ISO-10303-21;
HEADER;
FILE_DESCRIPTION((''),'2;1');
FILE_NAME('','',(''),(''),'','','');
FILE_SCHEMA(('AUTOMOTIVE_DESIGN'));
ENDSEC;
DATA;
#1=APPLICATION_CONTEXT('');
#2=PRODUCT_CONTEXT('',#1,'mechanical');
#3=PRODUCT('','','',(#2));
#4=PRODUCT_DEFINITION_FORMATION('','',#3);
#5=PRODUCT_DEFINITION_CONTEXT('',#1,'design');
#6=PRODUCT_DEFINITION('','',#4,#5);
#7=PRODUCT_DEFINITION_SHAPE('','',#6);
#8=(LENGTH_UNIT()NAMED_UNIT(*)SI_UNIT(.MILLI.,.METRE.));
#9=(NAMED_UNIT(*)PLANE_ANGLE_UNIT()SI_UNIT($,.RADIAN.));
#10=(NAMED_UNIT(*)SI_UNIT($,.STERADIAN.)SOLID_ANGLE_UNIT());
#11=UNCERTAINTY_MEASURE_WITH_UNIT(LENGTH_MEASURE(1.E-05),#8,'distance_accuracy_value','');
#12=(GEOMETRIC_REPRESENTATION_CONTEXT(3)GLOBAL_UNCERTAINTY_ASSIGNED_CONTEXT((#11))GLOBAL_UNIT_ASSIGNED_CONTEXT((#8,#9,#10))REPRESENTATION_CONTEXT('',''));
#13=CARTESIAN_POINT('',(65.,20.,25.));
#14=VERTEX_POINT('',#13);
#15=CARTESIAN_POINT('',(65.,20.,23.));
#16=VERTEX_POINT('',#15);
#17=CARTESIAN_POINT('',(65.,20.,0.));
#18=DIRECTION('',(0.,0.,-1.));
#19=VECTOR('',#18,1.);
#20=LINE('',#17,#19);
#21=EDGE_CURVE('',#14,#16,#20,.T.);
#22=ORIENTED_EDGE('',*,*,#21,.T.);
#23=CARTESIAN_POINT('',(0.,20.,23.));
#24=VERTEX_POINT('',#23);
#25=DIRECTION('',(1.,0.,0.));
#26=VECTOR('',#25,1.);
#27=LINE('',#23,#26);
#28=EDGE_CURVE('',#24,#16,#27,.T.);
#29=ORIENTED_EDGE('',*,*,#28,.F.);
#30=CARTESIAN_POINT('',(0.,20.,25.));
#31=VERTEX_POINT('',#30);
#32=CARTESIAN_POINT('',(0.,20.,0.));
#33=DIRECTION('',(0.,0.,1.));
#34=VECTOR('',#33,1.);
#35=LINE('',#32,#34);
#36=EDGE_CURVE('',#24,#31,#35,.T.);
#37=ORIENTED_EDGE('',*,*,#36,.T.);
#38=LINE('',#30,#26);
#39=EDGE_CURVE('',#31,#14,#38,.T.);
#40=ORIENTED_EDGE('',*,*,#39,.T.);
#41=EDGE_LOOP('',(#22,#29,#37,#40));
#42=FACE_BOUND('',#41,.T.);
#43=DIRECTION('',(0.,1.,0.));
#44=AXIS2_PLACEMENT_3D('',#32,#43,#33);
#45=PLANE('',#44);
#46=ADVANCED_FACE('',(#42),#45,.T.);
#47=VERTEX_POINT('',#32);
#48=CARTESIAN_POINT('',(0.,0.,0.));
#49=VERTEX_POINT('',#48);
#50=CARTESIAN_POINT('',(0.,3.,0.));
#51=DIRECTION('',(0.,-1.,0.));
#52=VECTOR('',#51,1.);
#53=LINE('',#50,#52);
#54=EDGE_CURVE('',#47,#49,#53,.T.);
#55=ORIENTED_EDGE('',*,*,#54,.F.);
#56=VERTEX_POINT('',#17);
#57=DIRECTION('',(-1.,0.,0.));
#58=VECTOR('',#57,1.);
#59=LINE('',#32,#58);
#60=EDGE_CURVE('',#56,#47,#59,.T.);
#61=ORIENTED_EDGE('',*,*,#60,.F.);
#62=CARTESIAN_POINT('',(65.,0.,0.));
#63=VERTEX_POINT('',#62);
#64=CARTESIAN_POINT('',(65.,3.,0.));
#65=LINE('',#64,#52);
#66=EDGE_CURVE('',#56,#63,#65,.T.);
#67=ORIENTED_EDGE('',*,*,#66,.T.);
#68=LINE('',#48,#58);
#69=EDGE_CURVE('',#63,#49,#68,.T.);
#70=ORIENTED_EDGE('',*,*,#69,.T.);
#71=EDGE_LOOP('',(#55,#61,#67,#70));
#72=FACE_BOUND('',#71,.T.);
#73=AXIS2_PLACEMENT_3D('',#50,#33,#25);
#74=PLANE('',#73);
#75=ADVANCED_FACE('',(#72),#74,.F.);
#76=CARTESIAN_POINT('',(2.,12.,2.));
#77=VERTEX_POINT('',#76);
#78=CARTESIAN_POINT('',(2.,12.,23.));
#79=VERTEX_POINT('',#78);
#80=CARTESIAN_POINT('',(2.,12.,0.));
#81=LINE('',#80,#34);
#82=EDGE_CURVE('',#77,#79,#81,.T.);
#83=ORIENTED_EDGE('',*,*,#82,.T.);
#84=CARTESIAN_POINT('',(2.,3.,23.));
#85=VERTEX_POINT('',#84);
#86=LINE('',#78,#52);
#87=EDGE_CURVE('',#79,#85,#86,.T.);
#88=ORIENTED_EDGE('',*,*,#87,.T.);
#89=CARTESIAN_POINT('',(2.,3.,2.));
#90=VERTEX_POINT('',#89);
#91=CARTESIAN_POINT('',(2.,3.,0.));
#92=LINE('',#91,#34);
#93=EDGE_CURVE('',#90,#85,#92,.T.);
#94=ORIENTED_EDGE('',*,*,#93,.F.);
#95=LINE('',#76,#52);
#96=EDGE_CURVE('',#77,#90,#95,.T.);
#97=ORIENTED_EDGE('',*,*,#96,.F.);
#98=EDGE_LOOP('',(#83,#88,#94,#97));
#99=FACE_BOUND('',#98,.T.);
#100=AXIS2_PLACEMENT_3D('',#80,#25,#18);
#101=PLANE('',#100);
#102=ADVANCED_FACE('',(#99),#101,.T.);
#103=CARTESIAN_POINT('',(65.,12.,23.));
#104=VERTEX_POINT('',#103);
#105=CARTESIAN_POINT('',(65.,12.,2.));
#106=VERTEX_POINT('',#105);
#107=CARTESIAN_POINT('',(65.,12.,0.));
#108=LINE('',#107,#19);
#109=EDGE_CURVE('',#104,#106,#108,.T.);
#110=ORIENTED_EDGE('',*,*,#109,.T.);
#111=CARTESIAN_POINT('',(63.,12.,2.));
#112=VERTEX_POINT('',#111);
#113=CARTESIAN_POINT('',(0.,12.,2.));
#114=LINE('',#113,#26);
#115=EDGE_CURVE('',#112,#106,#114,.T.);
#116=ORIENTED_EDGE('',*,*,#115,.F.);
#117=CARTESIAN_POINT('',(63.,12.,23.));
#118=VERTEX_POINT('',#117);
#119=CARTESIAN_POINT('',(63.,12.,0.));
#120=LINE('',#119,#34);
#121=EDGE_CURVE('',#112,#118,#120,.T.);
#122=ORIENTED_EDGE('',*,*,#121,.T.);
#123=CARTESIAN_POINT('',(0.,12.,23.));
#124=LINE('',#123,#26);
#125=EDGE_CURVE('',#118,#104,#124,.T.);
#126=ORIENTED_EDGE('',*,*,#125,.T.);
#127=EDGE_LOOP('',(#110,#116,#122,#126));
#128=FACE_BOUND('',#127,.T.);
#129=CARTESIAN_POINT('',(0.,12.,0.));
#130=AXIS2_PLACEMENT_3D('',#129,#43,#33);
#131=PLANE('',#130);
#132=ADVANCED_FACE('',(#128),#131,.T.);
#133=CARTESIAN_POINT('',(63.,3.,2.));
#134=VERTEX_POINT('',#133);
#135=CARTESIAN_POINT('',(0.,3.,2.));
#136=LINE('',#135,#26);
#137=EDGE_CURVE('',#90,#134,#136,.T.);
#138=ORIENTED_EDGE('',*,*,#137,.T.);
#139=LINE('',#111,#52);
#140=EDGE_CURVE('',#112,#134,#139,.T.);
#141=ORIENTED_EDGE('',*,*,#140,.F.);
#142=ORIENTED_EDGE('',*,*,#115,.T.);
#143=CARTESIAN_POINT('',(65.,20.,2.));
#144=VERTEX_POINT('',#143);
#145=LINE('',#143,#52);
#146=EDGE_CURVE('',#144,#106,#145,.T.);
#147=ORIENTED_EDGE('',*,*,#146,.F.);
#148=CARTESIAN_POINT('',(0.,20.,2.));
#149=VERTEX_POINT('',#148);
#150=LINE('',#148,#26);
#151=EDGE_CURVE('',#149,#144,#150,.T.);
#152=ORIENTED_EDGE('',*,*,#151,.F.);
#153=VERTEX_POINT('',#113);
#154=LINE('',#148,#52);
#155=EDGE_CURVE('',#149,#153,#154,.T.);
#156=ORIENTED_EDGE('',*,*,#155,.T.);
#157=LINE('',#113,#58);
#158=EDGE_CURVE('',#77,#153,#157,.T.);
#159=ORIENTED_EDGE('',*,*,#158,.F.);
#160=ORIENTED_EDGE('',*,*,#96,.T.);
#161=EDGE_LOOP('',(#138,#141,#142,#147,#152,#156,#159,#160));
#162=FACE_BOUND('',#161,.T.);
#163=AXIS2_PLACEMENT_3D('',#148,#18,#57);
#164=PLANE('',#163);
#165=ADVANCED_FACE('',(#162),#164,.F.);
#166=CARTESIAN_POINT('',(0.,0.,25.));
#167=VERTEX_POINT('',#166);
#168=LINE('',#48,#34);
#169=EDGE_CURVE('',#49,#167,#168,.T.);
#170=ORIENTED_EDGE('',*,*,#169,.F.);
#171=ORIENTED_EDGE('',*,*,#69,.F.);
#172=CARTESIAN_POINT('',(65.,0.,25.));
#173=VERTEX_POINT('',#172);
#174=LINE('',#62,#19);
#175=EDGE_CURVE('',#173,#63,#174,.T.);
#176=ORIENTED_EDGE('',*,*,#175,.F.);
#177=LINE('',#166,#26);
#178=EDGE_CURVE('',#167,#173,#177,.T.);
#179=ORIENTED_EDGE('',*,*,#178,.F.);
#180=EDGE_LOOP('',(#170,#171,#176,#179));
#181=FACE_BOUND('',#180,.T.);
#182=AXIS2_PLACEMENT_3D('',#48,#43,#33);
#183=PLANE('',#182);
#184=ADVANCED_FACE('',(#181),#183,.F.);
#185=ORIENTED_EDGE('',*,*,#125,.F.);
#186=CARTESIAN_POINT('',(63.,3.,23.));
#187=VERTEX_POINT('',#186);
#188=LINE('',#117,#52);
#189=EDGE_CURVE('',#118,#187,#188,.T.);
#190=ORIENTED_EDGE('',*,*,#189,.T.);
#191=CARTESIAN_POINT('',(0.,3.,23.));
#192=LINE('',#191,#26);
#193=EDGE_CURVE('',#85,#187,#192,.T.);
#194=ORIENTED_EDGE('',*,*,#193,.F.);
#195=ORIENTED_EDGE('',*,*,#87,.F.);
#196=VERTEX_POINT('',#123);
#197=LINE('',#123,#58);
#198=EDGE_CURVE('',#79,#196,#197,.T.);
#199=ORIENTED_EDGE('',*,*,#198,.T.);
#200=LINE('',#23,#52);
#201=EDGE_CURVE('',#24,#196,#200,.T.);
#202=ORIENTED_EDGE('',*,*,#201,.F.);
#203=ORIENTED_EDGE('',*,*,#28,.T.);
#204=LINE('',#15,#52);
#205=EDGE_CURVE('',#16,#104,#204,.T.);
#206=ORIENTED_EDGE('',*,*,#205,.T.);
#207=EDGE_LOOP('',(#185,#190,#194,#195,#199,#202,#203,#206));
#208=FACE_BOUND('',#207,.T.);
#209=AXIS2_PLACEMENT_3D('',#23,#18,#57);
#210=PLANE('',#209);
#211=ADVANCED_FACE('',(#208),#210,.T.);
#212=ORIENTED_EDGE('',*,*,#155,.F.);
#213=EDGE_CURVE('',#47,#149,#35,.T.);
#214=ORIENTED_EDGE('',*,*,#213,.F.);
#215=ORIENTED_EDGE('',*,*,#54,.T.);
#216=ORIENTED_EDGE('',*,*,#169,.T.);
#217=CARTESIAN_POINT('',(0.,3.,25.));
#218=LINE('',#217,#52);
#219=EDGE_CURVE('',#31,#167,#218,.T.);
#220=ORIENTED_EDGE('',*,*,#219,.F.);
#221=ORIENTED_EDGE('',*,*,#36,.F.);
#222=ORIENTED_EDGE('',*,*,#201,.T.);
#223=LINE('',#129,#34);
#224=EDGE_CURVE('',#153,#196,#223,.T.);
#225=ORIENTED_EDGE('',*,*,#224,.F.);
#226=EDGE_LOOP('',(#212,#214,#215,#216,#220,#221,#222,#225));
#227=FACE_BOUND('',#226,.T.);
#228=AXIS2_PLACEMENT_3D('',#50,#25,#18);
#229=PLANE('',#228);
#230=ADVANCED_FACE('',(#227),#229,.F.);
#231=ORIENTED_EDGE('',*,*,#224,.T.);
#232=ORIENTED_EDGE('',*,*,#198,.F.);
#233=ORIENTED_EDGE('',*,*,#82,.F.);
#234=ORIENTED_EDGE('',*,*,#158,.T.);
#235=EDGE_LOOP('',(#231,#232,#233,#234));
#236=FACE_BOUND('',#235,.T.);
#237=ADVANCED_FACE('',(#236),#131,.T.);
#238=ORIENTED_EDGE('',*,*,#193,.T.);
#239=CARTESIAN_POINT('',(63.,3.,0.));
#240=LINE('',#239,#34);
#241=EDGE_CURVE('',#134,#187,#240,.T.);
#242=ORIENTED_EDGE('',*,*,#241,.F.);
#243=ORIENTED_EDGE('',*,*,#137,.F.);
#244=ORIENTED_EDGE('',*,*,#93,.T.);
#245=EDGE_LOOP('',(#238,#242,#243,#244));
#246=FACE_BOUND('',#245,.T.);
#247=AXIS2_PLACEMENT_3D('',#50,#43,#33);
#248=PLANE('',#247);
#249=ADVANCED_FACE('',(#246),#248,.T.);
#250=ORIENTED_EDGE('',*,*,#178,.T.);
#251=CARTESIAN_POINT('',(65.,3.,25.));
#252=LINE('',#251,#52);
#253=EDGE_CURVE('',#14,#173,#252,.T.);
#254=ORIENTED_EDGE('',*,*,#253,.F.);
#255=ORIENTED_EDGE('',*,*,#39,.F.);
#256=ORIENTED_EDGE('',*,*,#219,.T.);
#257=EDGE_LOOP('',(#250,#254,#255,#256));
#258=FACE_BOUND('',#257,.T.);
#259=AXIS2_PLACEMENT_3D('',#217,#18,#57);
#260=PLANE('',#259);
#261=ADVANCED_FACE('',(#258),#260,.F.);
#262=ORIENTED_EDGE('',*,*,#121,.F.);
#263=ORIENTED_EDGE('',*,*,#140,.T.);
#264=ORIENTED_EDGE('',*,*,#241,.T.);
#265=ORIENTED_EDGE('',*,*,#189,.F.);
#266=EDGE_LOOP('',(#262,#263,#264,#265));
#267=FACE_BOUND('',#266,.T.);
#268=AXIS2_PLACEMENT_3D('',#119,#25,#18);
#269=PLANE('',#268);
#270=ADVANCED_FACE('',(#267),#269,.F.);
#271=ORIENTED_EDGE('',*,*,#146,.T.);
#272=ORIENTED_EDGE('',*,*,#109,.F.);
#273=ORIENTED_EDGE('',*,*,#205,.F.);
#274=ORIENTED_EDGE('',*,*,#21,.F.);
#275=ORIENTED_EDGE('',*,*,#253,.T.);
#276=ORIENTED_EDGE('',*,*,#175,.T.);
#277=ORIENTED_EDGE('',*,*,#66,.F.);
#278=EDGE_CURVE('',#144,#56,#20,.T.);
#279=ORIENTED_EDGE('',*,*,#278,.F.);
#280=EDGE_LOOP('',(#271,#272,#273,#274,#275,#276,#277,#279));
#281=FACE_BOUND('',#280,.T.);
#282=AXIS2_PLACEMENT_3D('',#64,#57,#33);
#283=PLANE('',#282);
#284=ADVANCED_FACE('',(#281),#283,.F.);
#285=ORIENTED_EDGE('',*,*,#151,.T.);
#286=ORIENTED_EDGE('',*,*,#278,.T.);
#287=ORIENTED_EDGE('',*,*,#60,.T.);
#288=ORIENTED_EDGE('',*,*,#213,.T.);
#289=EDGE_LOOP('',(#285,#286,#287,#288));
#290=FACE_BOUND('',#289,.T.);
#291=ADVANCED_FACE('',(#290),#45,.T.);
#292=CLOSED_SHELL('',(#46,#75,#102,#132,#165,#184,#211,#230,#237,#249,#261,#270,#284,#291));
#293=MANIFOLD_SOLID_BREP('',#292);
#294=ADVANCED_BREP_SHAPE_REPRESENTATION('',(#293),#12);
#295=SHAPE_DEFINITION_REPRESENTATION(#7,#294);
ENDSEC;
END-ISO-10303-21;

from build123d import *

# Parameters (mm, degrees)
SKETCH1_W           = 65
SKETCH1_H           = 25
BOSS_EXTRUDE1_DEPTH = 3
SKETCH2_W           = 65
SKETCH2_H           = 2
BOSS_EXTRUDE2_DEPTH = 17
SKETCH2_3_W         = 2
SKETCH2_3_H         = 21
BOSS_EXTRUDE3_DEPTH = 9


with BuildPart() as part:
    # Sketch1 → Boss-Extrude1 (new body)
    with BuildSketch(Plane(origin=(0, 0, 0), x_dir=(1, 0, 0), z_dir=(0, 1, 0))):
        with Locations((32.5, -12.5)):
            Rectangle(SKETCH1_W, SKETCH1_H)
    extrude(amount=BOSS_EXTRUDE1_DEPTH)

    # Sketch2 → Boss-Extrude2 (add)
    with BuildSketch(Plane(origin=(0, 3, 0), x_dir=(1, 0, 0), z_dir=(0, 1, 0))):
        with Locations((32.5, -1)):
            Rectangle(SKETCH2_W, SKETCH2_H)
        with Locations((32.5, -24)):
            Rectangle(SKETCH2_W, SKETCH2_H)
    extrude(amount=BOSS_EXTRUDE2_DEPTH)

    # Sketch2<3> → Boss-Extrude3 (add)
    with BuildSketch(Plane(origin=(0, 3, 0), x_dir=(1, 0, 0), z_dir=(0, 1, 0))):
        with Locations((1, -12.5)):
            Rectangle(SKETCH2_3_W, SKETCH2_3_H)
        with Locations((64, -12.5)):
            Rectangle(SKETCH2_3_W, SKETCH2_3_H)
    extrude(amount=BOSS_EXTRUDE3_DEPTH)


solid = part.part
